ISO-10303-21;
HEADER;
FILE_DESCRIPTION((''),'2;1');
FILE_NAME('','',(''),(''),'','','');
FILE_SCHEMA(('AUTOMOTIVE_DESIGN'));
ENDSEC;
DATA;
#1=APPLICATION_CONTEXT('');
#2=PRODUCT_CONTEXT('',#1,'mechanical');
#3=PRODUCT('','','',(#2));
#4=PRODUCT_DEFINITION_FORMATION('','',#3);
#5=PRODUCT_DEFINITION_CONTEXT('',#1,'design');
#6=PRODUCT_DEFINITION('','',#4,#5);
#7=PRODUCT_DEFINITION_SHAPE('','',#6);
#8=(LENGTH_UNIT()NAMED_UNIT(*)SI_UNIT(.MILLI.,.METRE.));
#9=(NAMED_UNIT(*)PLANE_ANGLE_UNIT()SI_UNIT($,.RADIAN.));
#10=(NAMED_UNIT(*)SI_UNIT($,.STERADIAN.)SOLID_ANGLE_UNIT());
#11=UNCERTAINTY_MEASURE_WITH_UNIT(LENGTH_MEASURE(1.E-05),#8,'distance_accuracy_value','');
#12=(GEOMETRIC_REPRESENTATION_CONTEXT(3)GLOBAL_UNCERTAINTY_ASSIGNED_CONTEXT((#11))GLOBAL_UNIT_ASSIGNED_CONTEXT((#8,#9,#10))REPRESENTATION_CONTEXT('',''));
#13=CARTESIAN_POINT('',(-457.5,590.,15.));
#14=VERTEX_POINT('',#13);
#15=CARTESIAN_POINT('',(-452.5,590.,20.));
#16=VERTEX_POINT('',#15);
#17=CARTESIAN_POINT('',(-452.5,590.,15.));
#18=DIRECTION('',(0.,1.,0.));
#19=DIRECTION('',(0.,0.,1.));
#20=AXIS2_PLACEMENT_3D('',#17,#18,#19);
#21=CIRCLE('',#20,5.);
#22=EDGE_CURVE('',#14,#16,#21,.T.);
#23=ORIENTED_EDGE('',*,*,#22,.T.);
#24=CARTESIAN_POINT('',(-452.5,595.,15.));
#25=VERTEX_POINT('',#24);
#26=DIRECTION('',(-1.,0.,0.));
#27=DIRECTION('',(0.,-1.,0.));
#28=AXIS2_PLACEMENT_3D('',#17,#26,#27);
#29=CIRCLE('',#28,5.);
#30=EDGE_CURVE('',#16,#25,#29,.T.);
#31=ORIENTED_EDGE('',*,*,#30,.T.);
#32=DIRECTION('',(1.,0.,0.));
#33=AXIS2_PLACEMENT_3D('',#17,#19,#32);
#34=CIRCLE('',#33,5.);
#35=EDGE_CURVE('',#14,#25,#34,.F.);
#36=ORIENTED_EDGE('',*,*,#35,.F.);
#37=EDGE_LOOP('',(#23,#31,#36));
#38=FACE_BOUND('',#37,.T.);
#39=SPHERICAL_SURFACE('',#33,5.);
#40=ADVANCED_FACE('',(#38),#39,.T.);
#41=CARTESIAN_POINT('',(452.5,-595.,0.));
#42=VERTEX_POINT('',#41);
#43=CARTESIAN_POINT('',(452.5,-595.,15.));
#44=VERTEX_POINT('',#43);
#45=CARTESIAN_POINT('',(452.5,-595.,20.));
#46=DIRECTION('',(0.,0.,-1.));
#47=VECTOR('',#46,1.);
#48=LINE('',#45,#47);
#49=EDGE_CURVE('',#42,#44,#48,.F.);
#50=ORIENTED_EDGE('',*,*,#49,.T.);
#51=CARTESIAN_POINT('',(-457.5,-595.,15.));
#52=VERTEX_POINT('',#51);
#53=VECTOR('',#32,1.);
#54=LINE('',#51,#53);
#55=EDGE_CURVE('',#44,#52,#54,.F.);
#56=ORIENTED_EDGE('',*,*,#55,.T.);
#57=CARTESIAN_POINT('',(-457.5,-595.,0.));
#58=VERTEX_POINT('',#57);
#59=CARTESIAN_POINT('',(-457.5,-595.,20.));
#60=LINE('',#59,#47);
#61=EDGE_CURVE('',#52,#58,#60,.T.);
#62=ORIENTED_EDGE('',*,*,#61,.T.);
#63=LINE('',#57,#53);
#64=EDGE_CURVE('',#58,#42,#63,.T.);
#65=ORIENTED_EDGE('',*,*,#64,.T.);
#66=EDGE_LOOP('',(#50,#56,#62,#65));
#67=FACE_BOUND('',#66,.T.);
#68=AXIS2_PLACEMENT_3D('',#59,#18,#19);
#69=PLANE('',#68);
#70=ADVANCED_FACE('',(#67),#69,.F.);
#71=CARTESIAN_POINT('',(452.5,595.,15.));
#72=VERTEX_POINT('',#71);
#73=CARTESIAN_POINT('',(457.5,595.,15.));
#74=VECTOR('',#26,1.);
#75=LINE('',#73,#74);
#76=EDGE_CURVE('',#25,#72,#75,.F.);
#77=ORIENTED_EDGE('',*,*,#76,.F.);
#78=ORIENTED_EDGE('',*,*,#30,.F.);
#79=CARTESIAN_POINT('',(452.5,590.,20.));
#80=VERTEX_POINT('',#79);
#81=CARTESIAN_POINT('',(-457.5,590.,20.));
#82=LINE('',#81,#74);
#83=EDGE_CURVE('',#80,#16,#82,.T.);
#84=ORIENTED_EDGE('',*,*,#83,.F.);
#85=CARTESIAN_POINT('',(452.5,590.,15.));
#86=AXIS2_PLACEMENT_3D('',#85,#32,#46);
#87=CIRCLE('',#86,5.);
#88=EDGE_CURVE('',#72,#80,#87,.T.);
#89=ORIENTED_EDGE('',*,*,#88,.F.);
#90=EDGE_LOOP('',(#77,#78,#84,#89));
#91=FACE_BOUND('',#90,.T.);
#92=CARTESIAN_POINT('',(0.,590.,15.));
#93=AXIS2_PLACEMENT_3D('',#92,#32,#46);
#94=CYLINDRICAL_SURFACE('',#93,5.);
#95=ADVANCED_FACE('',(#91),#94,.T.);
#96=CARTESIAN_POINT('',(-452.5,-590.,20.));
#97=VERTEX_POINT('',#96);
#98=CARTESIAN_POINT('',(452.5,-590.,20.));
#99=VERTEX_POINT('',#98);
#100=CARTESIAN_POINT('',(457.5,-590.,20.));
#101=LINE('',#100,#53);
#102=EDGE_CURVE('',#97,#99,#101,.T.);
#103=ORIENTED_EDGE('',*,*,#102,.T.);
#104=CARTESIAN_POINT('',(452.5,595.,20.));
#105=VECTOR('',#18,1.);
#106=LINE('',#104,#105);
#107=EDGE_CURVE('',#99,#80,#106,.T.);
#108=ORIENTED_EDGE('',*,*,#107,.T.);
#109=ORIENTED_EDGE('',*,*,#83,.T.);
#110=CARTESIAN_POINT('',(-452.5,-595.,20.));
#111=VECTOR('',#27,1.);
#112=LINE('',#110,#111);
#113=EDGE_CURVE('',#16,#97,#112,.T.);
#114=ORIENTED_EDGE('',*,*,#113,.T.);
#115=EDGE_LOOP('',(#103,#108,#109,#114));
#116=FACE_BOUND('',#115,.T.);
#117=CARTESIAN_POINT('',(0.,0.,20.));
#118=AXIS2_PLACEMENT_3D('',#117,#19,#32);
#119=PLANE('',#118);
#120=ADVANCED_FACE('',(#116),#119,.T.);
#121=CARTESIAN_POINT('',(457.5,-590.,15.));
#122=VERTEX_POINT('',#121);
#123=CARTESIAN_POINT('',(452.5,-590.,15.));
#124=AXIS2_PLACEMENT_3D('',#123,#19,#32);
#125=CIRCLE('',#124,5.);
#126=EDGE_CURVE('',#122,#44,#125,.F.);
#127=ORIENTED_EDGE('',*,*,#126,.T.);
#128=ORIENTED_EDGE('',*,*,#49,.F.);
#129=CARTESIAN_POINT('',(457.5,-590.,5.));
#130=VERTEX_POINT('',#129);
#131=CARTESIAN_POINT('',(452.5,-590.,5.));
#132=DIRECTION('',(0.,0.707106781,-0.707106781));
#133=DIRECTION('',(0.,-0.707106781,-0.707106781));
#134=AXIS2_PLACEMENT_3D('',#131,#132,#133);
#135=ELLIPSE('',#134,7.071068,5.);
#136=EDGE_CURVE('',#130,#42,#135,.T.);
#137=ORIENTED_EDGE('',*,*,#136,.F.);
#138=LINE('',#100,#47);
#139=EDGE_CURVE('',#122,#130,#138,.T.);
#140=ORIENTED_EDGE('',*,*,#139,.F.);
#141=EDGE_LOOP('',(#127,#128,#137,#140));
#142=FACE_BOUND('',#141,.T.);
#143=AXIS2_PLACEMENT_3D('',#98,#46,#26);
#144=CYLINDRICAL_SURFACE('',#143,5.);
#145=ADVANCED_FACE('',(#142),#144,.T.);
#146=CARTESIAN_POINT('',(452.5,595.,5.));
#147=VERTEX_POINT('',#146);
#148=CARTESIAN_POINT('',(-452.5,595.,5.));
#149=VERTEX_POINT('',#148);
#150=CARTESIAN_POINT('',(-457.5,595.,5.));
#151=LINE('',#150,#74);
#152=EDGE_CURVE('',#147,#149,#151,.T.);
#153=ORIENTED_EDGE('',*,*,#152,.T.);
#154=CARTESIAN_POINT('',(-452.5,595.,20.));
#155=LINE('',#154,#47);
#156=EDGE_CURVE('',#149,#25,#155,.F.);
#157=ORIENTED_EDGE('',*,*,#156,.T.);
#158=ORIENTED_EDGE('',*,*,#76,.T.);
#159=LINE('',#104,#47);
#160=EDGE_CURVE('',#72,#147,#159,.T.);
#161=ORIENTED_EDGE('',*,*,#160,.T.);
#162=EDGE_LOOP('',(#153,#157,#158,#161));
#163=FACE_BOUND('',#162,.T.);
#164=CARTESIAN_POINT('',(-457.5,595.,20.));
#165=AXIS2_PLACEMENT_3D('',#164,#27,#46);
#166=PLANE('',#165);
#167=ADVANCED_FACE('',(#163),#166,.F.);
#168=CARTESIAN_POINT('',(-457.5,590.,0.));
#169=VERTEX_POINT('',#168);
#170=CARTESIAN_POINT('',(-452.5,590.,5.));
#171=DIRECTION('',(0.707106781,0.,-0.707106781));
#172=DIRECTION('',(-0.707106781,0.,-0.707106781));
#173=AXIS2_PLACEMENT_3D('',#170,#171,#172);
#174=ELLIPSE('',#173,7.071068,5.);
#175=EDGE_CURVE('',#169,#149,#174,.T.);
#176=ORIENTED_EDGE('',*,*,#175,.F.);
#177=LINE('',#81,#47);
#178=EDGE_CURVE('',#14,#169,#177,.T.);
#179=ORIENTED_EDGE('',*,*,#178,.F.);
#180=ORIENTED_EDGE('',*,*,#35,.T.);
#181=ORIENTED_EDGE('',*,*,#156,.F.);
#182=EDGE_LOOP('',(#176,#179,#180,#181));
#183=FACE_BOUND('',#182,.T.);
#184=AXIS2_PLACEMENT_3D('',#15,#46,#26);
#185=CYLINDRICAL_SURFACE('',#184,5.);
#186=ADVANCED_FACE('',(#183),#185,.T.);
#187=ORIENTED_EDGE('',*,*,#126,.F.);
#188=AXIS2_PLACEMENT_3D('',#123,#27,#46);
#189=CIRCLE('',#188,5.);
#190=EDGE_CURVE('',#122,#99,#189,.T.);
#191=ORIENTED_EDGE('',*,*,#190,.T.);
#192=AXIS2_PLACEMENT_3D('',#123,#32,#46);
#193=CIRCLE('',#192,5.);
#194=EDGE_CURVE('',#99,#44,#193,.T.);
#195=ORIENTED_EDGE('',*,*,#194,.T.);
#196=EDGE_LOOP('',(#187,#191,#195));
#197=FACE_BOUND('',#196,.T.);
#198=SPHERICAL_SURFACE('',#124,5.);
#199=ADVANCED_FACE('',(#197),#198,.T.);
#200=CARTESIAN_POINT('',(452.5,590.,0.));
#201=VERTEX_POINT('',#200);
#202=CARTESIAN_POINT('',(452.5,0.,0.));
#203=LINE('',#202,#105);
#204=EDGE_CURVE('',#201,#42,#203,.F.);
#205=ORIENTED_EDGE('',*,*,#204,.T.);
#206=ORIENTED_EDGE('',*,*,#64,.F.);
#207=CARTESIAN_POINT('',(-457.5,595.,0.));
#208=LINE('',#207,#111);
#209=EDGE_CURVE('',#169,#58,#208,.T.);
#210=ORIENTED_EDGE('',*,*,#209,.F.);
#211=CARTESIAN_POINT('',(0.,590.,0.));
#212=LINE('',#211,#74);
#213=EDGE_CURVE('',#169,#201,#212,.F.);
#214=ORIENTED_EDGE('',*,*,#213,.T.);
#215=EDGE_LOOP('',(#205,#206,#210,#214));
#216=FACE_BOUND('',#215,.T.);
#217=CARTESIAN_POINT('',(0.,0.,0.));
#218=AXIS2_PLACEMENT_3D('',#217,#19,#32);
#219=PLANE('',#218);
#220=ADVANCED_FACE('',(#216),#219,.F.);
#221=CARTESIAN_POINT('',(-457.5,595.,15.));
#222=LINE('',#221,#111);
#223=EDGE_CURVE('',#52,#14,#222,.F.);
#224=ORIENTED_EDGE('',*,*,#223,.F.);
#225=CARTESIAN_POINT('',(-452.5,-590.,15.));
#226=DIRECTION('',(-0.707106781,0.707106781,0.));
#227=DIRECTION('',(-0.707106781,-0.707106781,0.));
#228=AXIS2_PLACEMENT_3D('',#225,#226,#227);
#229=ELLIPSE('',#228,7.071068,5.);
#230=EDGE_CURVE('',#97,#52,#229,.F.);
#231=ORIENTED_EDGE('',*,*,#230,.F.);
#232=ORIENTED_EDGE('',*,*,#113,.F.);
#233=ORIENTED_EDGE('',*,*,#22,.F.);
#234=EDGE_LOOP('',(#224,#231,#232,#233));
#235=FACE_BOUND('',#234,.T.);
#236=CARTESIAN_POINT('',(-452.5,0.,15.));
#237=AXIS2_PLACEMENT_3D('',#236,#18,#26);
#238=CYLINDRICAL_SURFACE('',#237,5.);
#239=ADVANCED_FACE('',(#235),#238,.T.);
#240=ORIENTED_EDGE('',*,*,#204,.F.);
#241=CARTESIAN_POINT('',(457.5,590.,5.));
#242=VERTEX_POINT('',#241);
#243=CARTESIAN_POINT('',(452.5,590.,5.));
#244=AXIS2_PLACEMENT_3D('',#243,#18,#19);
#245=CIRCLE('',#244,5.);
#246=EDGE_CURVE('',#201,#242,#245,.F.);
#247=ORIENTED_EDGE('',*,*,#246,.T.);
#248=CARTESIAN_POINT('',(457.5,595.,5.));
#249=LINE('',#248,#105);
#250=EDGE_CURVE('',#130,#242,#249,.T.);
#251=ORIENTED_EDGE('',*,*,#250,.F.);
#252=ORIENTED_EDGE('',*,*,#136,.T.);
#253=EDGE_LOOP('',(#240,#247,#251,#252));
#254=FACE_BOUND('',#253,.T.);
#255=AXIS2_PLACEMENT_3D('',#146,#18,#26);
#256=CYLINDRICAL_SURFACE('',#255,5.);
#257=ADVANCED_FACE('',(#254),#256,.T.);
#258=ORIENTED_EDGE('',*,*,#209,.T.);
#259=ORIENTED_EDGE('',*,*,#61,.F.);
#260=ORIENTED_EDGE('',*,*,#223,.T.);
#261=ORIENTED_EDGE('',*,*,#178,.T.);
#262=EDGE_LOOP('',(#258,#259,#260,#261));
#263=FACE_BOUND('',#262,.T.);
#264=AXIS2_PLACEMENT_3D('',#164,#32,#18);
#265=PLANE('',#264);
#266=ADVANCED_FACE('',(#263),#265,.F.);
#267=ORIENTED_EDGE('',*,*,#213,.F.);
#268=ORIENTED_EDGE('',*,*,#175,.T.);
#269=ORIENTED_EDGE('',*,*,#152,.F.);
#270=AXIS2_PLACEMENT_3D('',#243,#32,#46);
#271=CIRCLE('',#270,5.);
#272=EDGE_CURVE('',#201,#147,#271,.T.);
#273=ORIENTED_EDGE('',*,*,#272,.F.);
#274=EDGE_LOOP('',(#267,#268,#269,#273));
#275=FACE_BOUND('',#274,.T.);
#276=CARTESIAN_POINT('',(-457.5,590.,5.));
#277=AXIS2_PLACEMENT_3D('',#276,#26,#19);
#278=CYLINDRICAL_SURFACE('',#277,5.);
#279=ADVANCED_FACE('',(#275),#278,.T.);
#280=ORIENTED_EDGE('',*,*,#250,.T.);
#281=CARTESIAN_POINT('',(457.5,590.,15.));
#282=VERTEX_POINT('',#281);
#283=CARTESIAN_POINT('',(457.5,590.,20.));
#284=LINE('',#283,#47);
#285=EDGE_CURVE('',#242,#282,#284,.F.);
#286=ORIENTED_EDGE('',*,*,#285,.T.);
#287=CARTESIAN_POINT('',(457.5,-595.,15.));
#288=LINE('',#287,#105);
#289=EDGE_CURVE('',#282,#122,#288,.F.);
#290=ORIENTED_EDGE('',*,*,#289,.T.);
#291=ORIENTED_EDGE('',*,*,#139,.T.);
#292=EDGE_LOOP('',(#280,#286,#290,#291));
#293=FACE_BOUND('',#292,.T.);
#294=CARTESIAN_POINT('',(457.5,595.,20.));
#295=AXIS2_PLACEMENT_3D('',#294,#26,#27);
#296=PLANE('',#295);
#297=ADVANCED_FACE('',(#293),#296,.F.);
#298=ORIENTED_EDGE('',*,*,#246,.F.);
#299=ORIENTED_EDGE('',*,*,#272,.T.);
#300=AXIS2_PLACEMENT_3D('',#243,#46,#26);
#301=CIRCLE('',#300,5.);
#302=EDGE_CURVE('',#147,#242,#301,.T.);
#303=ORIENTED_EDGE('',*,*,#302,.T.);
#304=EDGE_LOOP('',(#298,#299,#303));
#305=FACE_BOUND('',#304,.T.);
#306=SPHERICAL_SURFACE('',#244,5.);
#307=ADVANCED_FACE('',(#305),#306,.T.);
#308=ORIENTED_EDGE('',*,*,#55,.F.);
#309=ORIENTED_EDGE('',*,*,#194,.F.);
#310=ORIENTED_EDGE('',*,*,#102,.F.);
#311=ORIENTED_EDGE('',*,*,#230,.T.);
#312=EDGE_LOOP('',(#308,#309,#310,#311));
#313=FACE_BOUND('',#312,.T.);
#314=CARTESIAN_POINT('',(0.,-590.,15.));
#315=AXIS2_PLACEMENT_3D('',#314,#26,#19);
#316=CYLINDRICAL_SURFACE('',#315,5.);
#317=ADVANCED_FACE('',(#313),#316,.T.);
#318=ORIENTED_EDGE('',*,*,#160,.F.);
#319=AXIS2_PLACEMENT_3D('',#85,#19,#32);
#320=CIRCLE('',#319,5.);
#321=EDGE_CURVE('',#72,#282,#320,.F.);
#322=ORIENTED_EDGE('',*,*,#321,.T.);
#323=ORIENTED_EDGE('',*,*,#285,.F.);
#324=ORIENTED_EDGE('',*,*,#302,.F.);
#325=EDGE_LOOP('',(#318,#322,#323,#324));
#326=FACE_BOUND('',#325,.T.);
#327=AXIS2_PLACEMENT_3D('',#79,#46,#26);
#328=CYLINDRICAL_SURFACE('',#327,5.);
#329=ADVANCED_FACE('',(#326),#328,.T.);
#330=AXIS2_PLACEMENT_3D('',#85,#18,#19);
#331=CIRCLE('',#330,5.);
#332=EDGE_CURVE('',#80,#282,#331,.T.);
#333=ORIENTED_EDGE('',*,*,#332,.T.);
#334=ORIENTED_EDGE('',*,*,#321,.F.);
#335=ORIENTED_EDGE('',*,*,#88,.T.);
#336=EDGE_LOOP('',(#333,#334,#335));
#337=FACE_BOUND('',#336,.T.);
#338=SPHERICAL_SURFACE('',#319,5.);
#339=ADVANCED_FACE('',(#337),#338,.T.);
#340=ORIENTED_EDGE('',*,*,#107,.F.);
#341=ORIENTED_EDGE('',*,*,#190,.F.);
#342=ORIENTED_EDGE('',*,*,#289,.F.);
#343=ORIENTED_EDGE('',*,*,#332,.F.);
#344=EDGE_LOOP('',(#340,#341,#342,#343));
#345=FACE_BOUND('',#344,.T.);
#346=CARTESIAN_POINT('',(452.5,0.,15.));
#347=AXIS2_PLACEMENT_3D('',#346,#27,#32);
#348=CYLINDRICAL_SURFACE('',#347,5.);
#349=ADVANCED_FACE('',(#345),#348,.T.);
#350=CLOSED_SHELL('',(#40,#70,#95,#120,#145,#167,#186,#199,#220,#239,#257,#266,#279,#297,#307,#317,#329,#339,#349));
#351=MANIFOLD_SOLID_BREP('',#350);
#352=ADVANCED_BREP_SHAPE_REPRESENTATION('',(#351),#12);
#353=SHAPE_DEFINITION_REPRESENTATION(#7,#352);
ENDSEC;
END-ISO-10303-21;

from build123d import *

# Parameters (mm, degrees)
SKETCH1_W           = 915
SKETCH1_H           = 1190
BOSS_EXTRUDE1_DEPTH = 20
FILLET1_R           = 5


with BuildPart() as part:
    # Sketch1 → Boss-Extrude1 (new body)
    with BuildSketch(Plane.XY):
        Rectangle(SKETCH1_W, SKETCH1_H)
    extrude(amount=BOSS_EXTRUDE1_DEPTH)

    # Fillet1
    fillet1_edges = [part.edges().sort_by_distance(p)[0] for p in [
        (-457.5, 0, 20),
        (0, -595, 20),
        (457.5, 0, 20),
        (0, 595, 0),
        (457.5, 0, 0),
        (457.5, -595, 10),
        (-457.5, 595, 10),
        (457.5, 595, 10),
        (0, 595, 20),
    ]]
    fillet(fillet1_edges, radius=FILLET1_R)


solid = part.part
